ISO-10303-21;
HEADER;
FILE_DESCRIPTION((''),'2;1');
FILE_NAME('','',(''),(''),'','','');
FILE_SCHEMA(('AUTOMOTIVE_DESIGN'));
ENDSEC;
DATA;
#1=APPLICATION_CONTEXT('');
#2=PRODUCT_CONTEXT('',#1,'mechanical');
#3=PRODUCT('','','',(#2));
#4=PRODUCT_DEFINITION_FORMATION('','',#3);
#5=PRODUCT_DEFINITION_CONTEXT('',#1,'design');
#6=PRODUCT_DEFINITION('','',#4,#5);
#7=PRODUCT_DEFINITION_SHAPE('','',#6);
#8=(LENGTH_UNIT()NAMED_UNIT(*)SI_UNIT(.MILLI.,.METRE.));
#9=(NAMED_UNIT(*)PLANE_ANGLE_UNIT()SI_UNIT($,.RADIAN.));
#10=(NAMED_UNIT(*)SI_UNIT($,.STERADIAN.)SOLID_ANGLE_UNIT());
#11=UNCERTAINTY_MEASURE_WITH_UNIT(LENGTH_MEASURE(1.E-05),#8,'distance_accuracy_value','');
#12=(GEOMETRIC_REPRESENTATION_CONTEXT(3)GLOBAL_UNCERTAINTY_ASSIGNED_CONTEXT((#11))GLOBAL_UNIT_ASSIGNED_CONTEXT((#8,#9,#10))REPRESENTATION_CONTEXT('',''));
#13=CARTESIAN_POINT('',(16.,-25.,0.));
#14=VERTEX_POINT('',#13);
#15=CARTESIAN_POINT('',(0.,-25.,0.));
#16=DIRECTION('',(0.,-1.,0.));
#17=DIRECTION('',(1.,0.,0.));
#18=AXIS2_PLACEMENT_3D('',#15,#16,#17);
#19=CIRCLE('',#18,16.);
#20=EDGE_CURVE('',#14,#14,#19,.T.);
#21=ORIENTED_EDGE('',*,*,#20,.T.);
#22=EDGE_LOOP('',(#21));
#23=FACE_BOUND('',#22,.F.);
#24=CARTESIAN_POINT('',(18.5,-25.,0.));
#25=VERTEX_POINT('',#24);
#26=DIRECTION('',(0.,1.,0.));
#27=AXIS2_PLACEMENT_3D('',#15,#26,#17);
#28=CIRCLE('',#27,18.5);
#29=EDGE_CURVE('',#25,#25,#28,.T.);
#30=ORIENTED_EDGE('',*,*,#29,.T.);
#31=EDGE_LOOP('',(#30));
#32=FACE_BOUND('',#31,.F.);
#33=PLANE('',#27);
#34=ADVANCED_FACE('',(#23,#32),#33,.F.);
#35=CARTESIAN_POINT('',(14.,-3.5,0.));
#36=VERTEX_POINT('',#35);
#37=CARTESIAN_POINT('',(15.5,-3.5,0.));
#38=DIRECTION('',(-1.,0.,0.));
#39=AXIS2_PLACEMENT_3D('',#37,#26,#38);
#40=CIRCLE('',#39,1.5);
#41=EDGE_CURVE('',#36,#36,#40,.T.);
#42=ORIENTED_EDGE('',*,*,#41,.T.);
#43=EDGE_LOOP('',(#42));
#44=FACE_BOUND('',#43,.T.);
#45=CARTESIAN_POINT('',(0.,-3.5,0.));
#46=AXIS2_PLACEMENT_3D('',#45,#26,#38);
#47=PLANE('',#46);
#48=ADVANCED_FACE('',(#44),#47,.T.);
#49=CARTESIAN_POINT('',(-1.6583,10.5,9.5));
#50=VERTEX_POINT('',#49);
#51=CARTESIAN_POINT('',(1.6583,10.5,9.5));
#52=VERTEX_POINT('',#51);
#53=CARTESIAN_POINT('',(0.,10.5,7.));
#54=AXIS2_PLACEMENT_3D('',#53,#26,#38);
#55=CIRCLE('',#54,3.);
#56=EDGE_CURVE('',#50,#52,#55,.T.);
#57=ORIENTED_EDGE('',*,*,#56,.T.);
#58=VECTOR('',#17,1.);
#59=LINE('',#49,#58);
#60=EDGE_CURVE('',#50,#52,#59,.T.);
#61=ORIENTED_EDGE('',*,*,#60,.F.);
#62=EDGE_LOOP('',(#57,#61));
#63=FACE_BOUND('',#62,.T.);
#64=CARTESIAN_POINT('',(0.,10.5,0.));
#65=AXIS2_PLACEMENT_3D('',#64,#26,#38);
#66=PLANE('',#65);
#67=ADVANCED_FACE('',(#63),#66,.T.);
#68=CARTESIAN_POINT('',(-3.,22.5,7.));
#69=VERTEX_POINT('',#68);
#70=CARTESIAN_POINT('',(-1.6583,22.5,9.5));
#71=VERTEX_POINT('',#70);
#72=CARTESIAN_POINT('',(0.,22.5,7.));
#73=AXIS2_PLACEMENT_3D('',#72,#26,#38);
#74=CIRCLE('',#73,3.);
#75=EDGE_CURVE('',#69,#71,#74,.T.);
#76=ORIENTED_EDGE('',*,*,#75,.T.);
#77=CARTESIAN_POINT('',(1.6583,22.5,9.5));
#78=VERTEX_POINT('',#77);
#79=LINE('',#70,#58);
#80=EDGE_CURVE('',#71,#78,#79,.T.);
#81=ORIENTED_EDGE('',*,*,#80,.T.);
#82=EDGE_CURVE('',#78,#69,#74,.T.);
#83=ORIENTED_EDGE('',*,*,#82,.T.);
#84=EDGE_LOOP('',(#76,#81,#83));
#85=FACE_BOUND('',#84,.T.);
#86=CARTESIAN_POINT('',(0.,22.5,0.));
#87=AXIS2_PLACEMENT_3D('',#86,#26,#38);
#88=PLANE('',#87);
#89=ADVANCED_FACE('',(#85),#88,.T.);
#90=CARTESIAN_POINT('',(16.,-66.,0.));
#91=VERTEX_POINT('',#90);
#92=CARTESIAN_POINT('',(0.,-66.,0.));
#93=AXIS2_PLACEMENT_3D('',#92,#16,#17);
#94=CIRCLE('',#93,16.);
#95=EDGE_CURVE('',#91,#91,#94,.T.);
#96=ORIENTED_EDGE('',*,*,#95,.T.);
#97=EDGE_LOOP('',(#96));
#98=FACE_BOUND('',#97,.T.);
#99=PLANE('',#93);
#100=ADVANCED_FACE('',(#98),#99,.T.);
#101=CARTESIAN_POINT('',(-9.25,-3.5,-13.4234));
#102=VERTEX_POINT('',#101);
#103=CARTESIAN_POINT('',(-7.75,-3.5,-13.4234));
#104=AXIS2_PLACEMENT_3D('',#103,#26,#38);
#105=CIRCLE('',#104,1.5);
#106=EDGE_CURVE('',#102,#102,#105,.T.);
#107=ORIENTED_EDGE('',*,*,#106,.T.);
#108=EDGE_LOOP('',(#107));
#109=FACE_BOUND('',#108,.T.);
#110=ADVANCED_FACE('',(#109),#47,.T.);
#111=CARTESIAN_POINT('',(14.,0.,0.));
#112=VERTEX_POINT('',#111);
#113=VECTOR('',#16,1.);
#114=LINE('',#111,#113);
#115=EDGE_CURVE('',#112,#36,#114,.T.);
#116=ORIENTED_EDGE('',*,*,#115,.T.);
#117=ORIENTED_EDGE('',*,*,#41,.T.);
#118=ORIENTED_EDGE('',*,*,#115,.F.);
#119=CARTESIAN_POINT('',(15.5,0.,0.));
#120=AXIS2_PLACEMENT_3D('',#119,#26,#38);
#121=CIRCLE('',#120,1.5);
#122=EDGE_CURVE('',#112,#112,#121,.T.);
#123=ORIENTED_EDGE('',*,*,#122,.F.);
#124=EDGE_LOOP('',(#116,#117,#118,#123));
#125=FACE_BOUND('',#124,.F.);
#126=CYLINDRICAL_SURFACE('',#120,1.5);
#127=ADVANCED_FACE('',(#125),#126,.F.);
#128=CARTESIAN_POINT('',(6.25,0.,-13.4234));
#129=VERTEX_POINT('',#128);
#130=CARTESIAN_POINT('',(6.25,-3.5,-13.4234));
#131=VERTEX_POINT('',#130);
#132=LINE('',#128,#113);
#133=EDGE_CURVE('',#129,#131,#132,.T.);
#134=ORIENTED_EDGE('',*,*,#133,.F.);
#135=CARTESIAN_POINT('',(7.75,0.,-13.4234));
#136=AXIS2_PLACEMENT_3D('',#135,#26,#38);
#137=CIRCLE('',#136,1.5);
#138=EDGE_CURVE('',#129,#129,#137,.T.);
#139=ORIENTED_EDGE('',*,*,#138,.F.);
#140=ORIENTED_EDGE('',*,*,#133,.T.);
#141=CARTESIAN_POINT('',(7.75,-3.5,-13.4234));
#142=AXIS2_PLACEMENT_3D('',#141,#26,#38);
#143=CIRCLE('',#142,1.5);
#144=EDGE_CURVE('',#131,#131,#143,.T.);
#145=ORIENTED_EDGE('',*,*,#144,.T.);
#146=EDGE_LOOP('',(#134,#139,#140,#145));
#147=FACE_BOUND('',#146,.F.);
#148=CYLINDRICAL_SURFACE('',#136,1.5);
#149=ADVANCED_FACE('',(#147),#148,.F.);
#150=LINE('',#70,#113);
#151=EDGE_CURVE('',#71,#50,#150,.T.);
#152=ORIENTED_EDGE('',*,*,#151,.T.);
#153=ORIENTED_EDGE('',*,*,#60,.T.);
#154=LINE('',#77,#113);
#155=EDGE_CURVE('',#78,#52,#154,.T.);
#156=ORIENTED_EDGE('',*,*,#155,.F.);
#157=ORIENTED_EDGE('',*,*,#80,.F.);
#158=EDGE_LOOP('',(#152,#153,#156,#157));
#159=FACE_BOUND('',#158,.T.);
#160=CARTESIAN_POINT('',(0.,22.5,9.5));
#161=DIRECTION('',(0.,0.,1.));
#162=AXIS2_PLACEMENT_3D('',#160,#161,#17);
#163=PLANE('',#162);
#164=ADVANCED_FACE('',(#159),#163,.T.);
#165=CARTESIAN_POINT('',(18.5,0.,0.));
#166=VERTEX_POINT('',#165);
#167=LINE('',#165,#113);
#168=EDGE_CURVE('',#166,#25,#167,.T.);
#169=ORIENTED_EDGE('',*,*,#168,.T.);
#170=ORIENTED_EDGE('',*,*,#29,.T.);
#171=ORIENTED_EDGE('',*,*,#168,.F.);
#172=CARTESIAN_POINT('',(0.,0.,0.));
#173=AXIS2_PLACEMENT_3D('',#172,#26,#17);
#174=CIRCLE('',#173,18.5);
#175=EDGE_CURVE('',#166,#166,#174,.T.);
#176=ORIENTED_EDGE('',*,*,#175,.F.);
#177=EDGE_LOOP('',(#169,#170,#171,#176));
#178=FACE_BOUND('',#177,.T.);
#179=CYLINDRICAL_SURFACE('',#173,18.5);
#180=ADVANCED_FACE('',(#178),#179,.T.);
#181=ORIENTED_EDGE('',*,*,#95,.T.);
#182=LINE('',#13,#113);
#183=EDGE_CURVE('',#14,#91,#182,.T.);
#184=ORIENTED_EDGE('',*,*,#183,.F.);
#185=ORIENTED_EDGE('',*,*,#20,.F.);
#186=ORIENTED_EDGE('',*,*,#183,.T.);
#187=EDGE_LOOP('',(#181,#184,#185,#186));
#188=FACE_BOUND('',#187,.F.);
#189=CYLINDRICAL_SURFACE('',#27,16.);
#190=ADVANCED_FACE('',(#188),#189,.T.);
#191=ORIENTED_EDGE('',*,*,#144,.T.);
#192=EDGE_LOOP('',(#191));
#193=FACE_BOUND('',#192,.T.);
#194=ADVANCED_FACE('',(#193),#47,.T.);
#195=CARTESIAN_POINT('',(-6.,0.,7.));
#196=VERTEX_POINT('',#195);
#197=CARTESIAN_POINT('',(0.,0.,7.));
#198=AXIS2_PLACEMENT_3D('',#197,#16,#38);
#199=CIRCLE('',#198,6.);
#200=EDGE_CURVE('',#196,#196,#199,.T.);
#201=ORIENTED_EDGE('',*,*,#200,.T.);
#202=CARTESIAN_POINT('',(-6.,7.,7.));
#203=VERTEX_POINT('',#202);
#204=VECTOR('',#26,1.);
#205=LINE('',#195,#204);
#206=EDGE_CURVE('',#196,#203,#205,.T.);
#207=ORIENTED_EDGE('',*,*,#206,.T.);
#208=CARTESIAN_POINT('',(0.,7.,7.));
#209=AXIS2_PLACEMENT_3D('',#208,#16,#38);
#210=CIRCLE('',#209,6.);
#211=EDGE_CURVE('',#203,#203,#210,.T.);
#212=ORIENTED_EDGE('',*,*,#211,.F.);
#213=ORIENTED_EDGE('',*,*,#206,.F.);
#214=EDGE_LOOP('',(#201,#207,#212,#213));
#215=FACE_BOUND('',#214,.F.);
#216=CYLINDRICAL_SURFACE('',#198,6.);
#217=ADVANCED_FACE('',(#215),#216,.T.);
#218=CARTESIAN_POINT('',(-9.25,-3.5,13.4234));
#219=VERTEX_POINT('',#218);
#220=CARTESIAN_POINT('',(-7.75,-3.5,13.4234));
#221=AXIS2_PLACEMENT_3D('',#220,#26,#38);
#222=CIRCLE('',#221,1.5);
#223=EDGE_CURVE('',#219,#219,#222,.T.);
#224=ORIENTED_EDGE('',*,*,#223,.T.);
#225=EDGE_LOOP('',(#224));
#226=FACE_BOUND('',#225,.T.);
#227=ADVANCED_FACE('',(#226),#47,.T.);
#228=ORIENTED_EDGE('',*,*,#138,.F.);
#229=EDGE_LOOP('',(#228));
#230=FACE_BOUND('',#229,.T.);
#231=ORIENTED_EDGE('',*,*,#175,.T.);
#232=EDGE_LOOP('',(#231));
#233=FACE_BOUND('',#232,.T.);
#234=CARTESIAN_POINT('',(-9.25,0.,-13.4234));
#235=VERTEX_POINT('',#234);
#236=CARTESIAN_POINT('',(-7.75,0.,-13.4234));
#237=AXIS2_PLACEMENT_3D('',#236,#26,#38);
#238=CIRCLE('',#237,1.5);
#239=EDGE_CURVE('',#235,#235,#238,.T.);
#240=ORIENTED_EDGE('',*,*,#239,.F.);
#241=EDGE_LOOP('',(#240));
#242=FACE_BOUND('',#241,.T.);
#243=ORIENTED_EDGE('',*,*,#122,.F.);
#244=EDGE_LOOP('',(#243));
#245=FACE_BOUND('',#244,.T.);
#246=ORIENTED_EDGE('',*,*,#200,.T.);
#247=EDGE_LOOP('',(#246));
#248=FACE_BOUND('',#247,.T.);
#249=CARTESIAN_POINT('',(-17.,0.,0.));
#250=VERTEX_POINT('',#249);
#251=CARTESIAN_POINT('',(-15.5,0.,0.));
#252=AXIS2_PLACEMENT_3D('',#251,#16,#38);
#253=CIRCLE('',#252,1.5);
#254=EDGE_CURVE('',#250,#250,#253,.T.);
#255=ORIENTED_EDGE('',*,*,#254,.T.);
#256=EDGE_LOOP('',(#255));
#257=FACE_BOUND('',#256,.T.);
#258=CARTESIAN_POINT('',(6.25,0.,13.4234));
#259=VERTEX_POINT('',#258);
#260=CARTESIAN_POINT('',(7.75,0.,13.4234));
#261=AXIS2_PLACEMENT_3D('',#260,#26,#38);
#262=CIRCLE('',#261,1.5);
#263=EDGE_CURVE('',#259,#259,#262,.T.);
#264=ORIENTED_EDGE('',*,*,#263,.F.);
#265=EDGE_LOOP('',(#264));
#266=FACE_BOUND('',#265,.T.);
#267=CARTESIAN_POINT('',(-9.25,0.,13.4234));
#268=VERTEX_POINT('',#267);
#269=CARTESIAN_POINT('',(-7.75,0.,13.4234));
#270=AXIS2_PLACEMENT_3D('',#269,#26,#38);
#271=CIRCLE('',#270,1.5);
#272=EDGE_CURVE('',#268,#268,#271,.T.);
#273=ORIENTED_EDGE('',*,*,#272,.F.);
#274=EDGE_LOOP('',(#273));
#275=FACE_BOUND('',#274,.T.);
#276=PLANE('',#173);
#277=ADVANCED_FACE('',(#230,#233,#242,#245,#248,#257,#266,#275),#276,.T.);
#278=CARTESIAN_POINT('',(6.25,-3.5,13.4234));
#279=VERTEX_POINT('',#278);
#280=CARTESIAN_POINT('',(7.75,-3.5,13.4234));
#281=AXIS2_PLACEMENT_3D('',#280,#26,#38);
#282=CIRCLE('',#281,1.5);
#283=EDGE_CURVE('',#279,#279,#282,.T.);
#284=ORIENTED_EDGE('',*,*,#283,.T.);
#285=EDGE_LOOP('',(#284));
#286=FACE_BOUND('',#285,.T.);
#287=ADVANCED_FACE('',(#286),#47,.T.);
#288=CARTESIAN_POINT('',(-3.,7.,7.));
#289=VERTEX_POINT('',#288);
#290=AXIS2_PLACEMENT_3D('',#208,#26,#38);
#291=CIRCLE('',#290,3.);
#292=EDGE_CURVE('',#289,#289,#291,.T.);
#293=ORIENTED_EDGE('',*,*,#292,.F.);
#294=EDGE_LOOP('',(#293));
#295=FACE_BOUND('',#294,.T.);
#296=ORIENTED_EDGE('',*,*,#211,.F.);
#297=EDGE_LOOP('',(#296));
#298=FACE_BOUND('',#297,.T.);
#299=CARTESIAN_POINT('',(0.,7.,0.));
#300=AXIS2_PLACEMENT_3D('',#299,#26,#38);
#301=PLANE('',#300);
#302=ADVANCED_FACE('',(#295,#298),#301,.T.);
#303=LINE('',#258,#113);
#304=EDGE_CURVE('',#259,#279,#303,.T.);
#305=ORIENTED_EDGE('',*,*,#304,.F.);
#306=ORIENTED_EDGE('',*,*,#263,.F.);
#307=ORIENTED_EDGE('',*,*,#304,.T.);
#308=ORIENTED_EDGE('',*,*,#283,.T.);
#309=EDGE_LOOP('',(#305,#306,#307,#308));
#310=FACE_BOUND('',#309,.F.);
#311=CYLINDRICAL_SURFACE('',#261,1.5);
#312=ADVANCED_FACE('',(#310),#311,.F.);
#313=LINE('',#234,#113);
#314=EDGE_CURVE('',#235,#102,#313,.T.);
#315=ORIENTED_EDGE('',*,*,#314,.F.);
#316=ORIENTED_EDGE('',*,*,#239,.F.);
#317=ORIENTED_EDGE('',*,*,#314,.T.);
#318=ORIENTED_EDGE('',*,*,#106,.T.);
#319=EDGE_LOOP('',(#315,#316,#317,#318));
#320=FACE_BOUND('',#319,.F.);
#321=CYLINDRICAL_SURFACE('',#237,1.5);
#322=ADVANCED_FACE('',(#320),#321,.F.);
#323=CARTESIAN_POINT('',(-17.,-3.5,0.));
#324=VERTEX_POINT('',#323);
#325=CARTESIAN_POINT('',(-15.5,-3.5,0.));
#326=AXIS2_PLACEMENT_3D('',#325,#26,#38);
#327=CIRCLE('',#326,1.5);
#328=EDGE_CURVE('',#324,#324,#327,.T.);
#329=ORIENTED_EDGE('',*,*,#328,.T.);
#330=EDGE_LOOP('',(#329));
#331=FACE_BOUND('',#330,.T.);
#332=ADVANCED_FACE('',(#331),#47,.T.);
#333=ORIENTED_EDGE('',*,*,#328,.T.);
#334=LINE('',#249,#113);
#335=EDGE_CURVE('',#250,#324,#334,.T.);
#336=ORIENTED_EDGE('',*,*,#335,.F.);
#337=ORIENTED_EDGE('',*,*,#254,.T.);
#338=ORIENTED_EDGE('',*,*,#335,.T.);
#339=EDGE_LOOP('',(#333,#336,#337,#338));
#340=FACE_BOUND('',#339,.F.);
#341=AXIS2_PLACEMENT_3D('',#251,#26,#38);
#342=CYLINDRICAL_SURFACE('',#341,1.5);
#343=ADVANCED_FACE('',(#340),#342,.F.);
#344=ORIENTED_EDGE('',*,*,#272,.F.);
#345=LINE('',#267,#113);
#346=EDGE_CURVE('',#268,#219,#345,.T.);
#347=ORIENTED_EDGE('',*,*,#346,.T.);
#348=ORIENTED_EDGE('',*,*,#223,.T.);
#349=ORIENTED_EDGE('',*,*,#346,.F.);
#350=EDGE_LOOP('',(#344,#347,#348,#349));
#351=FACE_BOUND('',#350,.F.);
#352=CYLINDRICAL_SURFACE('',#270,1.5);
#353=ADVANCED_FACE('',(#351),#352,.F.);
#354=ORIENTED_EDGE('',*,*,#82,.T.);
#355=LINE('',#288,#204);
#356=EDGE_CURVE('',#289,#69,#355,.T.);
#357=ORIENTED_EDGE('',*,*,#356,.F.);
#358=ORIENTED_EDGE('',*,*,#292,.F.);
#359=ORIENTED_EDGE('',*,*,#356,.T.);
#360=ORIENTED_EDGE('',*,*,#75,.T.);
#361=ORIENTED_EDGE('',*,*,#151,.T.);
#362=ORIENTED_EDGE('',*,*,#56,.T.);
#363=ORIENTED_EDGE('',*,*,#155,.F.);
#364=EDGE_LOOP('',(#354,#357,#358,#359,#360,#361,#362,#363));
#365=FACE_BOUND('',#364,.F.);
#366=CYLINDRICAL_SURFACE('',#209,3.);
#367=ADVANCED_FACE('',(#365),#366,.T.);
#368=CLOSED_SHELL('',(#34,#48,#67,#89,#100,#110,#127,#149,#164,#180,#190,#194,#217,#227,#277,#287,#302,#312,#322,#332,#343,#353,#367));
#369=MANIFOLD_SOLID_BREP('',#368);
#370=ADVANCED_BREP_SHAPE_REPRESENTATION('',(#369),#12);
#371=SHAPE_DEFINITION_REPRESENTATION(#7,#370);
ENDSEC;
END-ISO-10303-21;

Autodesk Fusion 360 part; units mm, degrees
sketch "Sketch1" plane through (0, 0, 0) normal (0, 1, 0) x (1, 0, 0)
  circle A0 centre (0, 0) radius 18.5
  dimension "d1" = 37
extrude "Extrude1" add sketch "Sketch1" against normal blind 25
sketch "Sketch2" plane through (0, -25, 0) normal (0, -1, 0) x (1, 0, 0)
  circle A0 centre (0, 0) radius 18.5
  circle A1 centre (0, 0) radius 16
  dimension "d4" = 32
extrude "Extrude2" add sketch "Sketch2" along normal blind 41 contours A1
sketch "Sketch3" plane through (0, 0, 0) normal (0, 1, 0) x (-1, 0, 0)
  circle A0 centre (0, 0) radius 18.5
  line L0 (0, 0) -> (0, 7)
  circle A1 centre (0, 7) radius 6
  dimension "d7" = 7
  dimension "d8" = 12
extrude "Extrude3" add sketch "Sketch3" along normal blind 7 contours A1
sketch "Sketch4" plane through (0, 7, 0) normal (0, 1, 0) x (-1, 0, 0)
  circle A0 centre (0, 7) radius 6
  circle A1 centre (0, 7) radius 3
  dimension "d11" = 6
extrude "Extrude4" add sketch "Sketch4" along normal blind 15.5 contours A1
sketch "Sketch5" plane through (0, 0, 0) normal (0, 1, 0) x (-1, 0, 0)
  circle A0 centre (0, 7) radius 6
  circle A1 centre (0, 0) radius 18.5
  line L0 (0, 0) -> (15.5, 0)
  circle A2 centre (15.5, 0) radius 1.5
  circle A3 centre (7.75, 13.4234) radius 1.5
  circle A4 centre (-7.75, 13.4234) radius 1.5
  circle A5 centre (-15.5, 0) radius 1.5
  circle A6 centre (-7.75, -13.4234) radius 1.5
  circle A7 centre (7.75, -13.4234) radius 1.5
  dimension "d14" = 3
  dimension "d15" = 15.5
  dimension "d17" = 360
extrude "Extrude5" cut sketch "Sketch5" against normal blind 3.5 contours A2 | A3 | A4 | A5 | A6 | A7
sketch "Sketch6" plane through (0, 22.5, 0) normal (0, 1, 0) x (-1, 0, 0)
  circle A0 centre (0, 7) radius 3
  circle A1 centre (0, 7) radius 3
  line L0 (0, 7) -> (0, 9.5)
  line L1 (0, 9.5) -> (-1.6583, 9.5)
  line L2 (0, 9.5) -> (1.6583, 9.5)
extrude "Extrude6" cut sketch "Sketch6" against normal blind 12 contours A0 A1 L1 L2 picked at (-0.1459, 9.8226)
